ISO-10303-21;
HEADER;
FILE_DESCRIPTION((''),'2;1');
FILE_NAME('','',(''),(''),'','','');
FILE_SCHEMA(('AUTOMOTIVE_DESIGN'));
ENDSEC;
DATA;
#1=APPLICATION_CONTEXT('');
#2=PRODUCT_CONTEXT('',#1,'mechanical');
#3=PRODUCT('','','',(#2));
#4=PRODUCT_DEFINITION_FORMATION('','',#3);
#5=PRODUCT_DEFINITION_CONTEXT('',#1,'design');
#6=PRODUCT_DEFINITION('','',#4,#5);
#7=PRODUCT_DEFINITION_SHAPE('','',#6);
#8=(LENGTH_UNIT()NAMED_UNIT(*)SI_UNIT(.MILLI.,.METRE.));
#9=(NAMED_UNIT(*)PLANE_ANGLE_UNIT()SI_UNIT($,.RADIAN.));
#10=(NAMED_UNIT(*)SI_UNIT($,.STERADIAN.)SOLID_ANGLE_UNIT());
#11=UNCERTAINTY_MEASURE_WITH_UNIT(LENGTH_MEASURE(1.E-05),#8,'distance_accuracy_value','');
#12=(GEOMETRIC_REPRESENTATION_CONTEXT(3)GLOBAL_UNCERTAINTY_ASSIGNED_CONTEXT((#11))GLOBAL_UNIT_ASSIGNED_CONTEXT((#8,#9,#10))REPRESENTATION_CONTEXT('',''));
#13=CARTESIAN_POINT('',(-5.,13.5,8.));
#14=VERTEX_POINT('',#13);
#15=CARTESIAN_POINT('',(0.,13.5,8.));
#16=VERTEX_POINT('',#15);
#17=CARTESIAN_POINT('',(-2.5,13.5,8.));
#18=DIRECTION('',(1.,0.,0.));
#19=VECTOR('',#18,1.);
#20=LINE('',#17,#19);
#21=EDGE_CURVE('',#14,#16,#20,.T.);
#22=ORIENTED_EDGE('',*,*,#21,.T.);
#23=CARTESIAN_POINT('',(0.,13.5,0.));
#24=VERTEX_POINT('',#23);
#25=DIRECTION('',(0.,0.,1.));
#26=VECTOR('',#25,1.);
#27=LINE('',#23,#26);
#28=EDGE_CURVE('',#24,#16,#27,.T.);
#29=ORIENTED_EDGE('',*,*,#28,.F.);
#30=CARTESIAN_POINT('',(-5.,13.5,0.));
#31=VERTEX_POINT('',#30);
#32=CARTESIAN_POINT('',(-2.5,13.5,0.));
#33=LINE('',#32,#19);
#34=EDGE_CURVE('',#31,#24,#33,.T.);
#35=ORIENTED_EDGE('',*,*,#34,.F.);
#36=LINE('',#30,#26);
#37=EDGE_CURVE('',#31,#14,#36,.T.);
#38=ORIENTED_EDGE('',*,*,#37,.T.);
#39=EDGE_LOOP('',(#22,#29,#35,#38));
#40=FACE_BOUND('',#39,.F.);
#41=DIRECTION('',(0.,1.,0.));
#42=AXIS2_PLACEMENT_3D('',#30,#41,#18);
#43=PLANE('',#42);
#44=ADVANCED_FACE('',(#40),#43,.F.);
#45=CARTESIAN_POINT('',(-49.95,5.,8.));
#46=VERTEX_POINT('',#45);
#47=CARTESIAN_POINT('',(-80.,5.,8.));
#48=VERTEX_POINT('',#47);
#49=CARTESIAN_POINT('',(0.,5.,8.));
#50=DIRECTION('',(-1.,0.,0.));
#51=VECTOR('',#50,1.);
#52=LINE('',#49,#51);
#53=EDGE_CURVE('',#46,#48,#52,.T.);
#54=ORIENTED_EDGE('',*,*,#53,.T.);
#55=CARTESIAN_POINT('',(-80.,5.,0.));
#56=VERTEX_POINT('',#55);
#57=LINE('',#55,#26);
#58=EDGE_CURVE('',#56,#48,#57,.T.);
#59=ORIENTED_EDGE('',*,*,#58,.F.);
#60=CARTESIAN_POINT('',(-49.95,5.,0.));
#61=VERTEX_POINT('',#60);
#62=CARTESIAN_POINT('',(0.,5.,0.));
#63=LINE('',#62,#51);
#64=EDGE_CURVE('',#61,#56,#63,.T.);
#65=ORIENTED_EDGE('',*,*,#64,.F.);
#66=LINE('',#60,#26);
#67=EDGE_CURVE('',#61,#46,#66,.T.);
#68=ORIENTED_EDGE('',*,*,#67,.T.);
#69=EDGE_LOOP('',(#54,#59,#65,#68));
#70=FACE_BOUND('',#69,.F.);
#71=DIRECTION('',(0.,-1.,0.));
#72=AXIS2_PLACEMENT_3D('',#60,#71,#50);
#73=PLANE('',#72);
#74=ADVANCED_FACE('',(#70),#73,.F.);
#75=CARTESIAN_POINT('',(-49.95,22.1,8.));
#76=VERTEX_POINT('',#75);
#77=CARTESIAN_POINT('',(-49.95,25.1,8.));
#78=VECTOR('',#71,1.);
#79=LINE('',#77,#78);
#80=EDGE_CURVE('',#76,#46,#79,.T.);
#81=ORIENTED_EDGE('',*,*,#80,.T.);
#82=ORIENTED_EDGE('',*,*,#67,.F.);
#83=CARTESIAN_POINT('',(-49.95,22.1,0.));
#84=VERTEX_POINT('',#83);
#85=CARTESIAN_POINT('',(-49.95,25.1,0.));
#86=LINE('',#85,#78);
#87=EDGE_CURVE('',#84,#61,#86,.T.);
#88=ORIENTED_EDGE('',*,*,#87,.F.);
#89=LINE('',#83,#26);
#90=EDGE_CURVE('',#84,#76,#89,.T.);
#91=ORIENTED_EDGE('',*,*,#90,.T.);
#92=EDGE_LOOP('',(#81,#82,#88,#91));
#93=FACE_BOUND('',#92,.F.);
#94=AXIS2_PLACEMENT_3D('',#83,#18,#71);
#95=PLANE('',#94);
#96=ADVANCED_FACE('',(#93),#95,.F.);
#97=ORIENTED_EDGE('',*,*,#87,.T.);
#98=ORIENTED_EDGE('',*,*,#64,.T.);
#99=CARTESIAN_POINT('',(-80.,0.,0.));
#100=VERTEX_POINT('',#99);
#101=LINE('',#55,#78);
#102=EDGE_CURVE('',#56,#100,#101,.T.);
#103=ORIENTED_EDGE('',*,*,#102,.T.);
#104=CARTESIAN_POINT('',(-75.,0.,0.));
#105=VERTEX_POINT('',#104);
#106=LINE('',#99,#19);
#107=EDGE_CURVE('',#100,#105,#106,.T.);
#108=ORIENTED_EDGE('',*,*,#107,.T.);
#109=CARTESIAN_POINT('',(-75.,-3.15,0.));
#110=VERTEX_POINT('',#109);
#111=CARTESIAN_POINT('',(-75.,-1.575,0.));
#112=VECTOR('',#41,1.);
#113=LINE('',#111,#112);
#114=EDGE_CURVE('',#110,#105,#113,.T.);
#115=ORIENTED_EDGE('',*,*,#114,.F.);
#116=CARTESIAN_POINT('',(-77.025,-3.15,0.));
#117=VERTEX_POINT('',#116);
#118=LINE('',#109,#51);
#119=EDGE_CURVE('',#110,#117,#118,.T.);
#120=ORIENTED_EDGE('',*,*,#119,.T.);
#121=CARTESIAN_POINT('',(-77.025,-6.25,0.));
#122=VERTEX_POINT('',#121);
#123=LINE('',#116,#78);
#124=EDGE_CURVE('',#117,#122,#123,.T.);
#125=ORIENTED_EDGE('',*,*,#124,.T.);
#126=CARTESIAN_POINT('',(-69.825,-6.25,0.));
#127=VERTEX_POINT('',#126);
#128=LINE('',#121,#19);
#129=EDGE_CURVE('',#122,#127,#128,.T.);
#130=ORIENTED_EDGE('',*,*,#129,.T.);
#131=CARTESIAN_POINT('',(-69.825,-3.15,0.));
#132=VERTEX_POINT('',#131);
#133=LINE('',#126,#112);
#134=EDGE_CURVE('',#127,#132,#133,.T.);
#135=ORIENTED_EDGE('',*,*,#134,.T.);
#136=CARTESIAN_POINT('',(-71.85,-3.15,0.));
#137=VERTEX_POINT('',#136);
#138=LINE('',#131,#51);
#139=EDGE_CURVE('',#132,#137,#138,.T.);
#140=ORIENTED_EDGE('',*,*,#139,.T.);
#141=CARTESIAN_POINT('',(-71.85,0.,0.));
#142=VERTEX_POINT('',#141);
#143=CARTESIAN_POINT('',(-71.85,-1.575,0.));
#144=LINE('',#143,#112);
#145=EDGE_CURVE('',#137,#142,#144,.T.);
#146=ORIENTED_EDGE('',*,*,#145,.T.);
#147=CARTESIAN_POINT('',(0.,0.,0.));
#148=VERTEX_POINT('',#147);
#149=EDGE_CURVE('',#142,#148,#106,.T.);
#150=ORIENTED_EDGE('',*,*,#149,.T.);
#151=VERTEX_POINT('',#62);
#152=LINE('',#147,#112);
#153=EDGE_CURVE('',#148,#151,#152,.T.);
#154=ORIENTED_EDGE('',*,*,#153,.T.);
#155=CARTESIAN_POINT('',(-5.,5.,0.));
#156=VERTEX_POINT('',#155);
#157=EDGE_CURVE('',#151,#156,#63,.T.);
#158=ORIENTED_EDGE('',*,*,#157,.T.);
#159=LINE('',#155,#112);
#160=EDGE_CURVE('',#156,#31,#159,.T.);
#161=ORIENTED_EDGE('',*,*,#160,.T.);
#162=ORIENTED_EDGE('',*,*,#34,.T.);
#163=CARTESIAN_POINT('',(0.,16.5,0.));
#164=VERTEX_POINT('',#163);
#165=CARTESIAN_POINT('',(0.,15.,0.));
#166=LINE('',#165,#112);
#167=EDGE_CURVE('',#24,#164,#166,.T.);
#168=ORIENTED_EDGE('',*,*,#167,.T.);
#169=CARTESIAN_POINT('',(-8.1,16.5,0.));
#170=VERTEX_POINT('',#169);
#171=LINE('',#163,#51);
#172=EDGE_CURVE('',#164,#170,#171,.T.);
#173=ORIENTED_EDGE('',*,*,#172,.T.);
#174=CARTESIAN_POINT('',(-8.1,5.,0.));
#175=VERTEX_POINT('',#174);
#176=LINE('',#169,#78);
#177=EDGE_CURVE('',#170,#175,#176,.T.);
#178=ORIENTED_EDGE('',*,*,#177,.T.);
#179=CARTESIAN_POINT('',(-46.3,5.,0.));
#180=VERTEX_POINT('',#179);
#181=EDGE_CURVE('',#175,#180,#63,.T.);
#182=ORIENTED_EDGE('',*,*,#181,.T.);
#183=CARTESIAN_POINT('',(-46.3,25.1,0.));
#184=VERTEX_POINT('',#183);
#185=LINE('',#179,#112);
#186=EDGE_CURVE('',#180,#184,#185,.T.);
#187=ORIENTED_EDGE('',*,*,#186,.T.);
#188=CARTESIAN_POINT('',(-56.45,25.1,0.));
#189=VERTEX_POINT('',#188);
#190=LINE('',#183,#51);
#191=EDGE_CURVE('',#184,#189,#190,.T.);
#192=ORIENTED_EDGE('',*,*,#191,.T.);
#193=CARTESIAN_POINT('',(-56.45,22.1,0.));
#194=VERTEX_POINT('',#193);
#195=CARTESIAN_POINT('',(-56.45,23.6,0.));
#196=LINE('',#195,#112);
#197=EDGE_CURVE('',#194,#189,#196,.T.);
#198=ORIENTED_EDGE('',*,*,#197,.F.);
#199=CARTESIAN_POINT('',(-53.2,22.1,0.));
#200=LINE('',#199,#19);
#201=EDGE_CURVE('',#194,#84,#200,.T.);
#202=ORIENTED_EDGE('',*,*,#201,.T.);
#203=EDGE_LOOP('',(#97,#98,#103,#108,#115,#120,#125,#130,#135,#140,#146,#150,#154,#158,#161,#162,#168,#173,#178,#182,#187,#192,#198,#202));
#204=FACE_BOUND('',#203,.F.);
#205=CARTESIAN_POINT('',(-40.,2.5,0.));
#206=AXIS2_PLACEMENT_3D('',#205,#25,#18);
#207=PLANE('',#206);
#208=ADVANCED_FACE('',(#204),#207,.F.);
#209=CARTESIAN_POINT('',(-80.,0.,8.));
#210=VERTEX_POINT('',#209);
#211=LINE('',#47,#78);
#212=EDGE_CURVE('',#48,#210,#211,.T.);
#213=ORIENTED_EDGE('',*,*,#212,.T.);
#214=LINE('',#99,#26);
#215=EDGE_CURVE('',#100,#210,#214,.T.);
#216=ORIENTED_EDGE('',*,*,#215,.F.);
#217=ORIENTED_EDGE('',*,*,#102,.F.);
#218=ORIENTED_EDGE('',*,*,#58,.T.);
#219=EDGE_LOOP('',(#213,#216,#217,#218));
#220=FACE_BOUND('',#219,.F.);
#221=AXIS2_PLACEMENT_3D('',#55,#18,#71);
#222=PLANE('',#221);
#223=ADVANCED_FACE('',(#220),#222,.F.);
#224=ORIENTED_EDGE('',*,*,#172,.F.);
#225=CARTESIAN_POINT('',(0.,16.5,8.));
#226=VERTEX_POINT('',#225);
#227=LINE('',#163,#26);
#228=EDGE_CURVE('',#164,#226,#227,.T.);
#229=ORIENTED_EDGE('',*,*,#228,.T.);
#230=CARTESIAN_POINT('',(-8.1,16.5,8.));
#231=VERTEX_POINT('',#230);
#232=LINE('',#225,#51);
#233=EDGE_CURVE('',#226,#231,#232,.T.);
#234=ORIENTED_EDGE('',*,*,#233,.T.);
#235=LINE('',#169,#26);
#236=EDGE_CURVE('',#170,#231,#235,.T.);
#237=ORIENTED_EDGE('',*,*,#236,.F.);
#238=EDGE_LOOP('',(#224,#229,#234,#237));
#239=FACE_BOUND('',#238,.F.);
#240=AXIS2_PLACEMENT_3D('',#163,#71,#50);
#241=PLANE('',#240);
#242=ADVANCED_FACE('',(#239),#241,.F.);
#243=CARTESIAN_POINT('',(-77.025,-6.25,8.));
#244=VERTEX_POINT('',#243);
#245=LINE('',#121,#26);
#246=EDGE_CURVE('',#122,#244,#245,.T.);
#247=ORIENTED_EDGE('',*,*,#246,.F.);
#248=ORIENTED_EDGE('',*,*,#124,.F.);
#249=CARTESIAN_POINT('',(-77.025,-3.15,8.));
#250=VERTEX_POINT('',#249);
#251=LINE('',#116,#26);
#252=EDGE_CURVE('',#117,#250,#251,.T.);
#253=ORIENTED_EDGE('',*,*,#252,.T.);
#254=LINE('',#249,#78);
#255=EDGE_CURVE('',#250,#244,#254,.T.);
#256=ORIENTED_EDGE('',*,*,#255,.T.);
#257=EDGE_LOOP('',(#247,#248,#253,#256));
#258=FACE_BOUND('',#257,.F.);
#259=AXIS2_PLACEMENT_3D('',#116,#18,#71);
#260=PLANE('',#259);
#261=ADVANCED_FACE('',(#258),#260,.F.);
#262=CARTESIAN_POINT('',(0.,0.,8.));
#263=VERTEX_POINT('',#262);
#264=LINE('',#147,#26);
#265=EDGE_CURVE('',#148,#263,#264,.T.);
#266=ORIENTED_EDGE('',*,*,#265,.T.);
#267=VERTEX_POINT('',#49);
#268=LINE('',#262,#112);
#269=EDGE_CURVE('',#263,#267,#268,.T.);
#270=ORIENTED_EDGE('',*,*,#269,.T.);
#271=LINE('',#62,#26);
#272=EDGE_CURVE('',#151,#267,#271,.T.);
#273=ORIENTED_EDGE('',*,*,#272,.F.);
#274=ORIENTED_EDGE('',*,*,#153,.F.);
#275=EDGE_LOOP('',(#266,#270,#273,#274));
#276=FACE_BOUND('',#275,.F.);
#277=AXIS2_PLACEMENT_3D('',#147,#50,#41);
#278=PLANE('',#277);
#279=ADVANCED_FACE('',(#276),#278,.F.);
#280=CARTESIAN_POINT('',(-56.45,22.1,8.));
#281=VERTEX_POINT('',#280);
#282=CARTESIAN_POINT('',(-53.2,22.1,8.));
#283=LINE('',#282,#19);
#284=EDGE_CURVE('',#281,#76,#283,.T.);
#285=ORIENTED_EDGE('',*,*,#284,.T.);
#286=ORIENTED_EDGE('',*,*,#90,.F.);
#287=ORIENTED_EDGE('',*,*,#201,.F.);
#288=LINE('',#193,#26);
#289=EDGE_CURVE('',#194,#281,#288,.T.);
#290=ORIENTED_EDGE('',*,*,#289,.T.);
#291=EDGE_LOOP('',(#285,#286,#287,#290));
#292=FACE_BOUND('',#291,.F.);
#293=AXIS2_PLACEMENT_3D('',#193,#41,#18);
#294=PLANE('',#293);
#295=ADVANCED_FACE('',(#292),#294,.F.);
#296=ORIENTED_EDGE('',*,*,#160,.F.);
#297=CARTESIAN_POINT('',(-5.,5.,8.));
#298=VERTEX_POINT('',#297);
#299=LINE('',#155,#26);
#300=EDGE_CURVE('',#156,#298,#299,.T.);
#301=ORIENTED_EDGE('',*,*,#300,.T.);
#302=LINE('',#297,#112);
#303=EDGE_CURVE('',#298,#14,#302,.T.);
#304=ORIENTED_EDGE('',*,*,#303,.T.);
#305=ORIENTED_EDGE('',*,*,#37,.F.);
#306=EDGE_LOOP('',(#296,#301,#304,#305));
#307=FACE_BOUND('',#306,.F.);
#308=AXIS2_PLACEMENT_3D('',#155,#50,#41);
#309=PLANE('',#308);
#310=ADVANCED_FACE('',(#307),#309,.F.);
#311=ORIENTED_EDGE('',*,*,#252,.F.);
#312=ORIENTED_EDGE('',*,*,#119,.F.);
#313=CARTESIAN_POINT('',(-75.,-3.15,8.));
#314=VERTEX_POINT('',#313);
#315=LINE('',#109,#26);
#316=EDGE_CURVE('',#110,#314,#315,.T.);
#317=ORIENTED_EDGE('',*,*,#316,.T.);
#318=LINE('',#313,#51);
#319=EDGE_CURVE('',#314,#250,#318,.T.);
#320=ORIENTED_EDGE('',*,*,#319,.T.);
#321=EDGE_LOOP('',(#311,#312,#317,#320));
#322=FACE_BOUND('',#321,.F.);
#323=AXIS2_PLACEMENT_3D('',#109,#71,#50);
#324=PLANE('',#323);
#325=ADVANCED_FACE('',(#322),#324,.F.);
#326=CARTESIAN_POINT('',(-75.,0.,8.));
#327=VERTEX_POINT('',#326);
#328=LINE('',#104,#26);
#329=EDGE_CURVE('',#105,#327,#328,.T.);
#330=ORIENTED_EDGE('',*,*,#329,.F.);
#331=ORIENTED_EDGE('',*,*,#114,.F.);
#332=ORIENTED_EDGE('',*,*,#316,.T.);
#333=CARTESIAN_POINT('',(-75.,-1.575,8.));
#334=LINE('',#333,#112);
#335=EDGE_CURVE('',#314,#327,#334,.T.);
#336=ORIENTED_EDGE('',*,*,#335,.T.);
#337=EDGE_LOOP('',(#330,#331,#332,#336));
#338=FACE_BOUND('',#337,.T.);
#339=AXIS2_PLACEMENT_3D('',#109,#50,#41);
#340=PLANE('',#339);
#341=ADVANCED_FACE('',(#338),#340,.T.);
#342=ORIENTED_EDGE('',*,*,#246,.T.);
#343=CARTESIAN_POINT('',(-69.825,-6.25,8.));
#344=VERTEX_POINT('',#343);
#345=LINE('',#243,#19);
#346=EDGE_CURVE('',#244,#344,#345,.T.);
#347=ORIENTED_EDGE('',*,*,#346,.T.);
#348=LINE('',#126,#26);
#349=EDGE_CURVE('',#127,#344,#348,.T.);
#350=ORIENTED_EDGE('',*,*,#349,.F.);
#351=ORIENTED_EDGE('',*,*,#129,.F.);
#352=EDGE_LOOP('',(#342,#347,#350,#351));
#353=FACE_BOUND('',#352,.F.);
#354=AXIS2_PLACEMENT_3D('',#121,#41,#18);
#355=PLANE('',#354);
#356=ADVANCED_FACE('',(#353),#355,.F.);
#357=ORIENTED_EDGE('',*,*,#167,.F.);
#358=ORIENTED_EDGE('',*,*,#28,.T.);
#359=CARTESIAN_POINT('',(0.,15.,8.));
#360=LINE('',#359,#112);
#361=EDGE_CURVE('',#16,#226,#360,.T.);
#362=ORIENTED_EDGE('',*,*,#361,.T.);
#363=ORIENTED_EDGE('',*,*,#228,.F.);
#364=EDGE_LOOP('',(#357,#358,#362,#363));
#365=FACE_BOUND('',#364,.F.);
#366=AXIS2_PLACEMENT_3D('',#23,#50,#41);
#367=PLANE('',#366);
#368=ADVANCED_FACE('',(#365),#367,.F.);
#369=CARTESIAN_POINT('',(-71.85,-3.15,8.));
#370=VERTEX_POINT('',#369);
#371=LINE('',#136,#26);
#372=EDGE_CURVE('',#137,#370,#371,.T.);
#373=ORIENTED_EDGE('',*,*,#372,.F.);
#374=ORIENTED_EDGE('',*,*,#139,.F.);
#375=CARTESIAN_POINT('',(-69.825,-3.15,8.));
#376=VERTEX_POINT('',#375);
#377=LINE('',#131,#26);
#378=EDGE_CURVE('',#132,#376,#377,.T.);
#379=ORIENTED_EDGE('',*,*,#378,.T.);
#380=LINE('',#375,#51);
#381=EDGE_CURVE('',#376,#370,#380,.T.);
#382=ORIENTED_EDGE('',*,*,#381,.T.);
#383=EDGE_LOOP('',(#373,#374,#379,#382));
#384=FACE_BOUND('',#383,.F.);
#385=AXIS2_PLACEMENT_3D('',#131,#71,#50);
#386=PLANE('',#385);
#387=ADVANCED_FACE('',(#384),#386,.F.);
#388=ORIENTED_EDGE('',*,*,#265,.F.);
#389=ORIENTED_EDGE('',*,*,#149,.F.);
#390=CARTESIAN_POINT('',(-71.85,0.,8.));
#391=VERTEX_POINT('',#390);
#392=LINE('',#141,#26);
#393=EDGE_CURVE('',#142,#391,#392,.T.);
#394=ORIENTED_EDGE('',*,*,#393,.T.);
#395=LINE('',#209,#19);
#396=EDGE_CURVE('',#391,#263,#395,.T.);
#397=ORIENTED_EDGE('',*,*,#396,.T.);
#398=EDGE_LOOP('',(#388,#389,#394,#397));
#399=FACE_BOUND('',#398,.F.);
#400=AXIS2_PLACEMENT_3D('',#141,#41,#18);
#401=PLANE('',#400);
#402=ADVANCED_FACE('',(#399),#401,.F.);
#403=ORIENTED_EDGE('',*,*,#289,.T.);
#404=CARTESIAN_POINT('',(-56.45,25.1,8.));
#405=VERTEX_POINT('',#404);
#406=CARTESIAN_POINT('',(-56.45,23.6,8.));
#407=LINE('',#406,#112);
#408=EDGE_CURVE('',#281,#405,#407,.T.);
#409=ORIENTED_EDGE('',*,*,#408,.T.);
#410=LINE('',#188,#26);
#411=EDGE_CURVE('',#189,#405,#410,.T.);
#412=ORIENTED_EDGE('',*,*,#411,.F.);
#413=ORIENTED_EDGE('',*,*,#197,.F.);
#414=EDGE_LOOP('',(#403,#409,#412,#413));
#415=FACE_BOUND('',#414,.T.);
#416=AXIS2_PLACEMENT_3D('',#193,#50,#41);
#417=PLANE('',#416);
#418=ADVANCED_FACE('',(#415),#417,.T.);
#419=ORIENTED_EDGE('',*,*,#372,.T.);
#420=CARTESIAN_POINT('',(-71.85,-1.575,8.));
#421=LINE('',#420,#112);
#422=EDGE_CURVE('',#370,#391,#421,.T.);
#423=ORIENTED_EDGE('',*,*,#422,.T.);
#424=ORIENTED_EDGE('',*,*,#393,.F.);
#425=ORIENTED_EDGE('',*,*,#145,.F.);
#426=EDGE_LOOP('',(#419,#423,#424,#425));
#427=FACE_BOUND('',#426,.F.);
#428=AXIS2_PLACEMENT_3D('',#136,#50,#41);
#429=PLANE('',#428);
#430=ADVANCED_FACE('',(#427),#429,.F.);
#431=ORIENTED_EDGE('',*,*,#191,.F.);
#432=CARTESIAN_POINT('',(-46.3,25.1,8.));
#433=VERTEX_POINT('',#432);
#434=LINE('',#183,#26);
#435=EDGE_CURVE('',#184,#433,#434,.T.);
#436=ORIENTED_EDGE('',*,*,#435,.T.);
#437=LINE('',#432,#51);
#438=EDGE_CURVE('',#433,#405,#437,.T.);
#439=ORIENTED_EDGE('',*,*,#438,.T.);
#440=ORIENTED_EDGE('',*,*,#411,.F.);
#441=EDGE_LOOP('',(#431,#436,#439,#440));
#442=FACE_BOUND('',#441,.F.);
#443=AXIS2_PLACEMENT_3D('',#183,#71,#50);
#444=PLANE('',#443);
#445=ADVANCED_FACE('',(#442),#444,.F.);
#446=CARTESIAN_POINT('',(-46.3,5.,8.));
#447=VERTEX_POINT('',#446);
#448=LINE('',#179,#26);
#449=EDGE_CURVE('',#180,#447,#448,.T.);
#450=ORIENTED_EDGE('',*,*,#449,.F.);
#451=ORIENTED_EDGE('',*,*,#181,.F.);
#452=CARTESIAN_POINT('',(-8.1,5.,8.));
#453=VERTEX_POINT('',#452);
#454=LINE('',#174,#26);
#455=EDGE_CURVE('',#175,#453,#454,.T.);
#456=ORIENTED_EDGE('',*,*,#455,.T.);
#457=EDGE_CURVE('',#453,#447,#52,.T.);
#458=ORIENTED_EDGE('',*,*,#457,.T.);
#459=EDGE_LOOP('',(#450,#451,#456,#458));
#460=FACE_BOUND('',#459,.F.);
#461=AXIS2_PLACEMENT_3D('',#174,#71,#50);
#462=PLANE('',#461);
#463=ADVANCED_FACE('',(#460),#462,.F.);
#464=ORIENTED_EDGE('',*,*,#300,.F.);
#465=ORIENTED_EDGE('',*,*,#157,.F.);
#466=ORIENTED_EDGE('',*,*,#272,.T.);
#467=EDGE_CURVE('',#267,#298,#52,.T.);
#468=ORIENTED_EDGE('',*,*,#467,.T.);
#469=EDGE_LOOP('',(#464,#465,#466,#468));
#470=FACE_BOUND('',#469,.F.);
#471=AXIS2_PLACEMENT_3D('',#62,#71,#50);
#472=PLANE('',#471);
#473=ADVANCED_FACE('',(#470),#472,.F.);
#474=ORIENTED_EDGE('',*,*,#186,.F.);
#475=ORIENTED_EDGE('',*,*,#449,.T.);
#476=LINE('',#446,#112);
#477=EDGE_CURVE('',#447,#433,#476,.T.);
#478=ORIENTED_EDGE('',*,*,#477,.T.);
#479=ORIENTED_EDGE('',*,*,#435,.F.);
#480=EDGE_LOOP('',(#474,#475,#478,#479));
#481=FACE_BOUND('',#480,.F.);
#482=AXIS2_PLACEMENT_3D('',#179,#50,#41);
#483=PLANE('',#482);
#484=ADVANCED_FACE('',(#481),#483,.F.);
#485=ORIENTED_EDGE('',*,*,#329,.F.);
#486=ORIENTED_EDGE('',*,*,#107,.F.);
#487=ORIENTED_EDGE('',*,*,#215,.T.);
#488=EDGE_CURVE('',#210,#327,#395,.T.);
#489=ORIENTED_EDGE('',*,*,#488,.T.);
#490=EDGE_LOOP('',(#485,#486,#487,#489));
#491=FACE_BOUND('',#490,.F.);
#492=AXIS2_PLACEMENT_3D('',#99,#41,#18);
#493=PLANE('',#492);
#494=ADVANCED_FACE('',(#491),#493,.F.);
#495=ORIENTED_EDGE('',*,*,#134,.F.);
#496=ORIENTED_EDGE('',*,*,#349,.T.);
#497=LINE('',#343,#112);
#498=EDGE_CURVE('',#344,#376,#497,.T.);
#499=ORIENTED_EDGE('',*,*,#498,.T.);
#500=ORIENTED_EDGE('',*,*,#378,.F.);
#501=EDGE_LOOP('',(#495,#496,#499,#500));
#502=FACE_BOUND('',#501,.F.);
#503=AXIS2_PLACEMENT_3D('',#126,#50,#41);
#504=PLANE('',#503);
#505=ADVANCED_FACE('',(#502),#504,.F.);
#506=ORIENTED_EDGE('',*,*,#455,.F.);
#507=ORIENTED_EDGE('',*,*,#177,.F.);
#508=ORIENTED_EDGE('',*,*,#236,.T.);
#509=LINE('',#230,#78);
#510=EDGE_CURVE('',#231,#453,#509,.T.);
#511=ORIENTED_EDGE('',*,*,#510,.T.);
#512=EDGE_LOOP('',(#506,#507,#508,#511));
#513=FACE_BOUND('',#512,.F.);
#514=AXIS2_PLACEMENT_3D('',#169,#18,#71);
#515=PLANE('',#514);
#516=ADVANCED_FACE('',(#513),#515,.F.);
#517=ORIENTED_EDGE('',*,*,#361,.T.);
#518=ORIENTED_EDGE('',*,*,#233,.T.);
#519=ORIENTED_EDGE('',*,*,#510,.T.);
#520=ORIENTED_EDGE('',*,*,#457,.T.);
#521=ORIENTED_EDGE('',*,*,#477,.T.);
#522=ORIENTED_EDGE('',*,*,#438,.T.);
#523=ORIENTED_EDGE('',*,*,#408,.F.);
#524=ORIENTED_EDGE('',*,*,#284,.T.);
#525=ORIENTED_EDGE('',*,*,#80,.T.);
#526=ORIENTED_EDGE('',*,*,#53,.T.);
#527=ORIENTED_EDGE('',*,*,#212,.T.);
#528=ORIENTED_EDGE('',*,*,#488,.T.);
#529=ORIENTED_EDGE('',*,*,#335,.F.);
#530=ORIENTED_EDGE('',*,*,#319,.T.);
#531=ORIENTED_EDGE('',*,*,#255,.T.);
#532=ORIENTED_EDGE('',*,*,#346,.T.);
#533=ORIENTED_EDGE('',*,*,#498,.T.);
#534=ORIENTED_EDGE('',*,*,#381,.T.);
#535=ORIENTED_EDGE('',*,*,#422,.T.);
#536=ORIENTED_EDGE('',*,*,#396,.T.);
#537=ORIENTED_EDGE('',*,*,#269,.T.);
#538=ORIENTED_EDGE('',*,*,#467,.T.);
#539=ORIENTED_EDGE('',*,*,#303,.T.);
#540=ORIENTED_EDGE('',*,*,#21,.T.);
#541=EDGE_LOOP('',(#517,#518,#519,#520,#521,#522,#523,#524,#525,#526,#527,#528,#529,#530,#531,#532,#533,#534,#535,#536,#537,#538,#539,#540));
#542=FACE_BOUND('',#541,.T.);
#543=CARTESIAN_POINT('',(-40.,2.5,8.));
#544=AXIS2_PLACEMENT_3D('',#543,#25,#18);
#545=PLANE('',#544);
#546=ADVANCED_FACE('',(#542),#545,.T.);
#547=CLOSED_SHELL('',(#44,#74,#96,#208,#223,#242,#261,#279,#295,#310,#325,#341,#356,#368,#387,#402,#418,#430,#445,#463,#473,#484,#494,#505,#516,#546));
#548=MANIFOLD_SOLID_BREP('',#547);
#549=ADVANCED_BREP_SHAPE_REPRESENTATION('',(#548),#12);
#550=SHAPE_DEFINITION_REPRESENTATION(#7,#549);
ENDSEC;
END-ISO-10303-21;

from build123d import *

# Parameters (mm, degrees)
F0_W     = 6.5
F0_H     = 3
F0_W_2   = 5
F0_W_3   = 3.15
F0_H_2   = 3.15
F1_DEPTH = 8


with BuildPart() as f1:
    # F0 (on Top) → F1 (new body)
    with BuildSketch(Plane.XY):
        Polygon((-71.85, 0), (0, 0), (0, 5), (-5, 5), (-8.1, 5), (-46.3, 5), (-49.95, 5), (-80, 5), (-80, 0), (-75, 0), align=None)
        Polygon((-49.95, 5), (-46.3, 5), (-46.3, 25.1), (-49.95, 25.1), (-49.95, 22.1), align=None)
        with Locations((-53.2, 23.6)):
            Rectangle(F0_W, F0_H)
        Polygon((-8.1, 5), (-5, 5), (-5, 13.5), (-5, 16.5), (-8.1, 16.5), align=None)
        with Locations((-2.5, 15)):
            Rectangle(F0_W_2, F0_H)
        with Locations((-73.425, -1.575)):
            Rectangle(F0_W_3, F0_H_2)
        Polygon((-69.825, -3.15), (-71.85, -3.15), (-75, -3.15), (-77.025, -3.15), (-77.025, -6.25), (-69.825, -6.25), align=None)
    extrude(amount=F1_DEPTH)


solid = f1.part
